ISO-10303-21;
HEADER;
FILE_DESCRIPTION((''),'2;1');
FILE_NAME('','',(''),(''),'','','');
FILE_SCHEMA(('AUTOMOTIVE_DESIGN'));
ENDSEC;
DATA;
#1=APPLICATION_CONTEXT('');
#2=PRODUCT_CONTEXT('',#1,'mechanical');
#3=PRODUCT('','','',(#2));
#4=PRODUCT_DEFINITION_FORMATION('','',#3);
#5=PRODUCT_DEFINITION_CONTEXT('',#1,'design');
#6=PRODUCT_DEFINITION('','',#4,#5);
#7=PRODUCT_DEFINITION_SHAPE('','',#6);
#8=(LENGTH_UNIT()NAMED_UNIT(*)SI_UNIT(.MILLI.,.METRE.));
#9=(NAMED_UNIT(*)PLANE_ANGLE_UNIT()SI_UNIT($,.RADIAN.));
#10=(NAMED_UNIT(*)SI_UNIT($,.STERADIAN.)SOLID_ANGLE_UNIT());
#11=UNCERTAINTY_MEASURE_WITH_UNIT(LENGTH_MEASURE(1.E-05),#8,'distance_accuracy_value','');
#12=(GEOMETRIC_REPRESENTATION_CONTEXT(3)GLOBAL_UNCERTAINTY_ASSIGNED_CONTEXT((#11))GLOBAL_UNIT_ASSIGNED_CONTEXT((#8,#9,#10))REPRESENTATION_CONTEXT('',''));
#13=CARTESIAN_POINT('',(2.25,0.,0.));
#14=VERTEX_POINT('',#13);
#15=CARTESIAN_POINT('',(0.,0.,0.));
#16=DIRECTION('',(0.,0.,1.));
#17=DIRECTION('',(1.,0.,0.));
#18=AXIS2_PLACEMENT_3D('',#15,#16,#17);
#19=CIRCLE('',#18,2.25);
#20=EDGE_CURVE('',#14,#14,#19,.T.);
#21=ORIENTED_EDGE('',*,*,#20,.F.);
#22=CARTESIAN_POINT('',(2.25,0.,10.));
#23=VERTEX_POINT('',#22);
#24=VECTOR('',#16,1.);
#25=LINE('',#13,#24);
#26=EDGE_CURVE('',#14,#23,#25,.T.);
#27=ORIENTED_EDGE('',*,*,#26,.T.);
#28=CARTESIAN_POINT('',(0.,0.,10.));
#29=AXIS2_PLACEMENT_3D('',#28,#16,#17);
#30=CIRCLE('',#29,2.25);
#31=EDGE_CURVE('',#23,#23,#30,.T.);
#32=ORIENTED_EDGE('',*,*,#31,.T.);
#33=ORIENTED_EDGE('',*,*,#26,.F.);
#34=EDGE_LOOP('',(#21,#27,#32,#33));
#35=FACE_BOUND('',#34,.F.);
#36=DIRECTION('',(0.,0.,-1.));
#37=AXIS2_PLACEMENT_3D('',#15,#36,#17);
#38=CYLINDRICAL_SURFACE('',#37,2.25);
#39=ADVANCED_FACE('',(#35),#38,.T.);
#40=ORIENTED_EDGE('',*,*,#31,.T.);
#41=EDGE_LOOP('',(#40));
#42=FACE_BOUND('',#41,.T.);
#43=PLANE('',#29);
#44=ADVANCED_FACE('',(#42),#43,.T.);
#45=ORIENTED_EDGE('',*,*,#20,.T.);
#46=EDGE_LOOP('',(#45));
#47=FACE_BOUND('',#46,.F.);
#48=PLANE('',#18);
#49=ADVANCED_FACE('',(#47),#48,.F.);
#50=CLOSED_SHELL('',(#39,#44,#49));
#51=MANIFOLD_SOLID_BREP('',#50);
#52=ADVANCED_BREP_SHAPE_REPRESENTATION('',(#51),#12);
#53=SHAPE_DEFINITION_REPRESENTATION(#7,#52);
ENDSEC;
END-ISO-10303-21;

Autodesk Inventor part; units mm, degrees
ref_plane "YZ Plane" through (0, 0, 0) normal (1, 0, 0) x (0, 1, 0)
ref_plane "XZ Plane" through (0, 0, 0) normal (0, 1, 0) x (-1, 0, 0)
ref_plane "XY Plane" through (0, 0, 0) normal (0, 0, 1) x (1, 0, 0)
sketch "Skizze1" plane through (0, 0, 0) normal (0, 0, 1) x (1, 0, 0)
  circle A0 centre (0, 0) radius 2.25
  dimension "d0" = 4.5
extrude "Extrusion1" add sketch "Skizze1" along normal blind 10
thread "Gewinde1" size "M4.5x0.75" class "6g" standard "ANSI Metric M Profile" length 15
properties part number "spring"
